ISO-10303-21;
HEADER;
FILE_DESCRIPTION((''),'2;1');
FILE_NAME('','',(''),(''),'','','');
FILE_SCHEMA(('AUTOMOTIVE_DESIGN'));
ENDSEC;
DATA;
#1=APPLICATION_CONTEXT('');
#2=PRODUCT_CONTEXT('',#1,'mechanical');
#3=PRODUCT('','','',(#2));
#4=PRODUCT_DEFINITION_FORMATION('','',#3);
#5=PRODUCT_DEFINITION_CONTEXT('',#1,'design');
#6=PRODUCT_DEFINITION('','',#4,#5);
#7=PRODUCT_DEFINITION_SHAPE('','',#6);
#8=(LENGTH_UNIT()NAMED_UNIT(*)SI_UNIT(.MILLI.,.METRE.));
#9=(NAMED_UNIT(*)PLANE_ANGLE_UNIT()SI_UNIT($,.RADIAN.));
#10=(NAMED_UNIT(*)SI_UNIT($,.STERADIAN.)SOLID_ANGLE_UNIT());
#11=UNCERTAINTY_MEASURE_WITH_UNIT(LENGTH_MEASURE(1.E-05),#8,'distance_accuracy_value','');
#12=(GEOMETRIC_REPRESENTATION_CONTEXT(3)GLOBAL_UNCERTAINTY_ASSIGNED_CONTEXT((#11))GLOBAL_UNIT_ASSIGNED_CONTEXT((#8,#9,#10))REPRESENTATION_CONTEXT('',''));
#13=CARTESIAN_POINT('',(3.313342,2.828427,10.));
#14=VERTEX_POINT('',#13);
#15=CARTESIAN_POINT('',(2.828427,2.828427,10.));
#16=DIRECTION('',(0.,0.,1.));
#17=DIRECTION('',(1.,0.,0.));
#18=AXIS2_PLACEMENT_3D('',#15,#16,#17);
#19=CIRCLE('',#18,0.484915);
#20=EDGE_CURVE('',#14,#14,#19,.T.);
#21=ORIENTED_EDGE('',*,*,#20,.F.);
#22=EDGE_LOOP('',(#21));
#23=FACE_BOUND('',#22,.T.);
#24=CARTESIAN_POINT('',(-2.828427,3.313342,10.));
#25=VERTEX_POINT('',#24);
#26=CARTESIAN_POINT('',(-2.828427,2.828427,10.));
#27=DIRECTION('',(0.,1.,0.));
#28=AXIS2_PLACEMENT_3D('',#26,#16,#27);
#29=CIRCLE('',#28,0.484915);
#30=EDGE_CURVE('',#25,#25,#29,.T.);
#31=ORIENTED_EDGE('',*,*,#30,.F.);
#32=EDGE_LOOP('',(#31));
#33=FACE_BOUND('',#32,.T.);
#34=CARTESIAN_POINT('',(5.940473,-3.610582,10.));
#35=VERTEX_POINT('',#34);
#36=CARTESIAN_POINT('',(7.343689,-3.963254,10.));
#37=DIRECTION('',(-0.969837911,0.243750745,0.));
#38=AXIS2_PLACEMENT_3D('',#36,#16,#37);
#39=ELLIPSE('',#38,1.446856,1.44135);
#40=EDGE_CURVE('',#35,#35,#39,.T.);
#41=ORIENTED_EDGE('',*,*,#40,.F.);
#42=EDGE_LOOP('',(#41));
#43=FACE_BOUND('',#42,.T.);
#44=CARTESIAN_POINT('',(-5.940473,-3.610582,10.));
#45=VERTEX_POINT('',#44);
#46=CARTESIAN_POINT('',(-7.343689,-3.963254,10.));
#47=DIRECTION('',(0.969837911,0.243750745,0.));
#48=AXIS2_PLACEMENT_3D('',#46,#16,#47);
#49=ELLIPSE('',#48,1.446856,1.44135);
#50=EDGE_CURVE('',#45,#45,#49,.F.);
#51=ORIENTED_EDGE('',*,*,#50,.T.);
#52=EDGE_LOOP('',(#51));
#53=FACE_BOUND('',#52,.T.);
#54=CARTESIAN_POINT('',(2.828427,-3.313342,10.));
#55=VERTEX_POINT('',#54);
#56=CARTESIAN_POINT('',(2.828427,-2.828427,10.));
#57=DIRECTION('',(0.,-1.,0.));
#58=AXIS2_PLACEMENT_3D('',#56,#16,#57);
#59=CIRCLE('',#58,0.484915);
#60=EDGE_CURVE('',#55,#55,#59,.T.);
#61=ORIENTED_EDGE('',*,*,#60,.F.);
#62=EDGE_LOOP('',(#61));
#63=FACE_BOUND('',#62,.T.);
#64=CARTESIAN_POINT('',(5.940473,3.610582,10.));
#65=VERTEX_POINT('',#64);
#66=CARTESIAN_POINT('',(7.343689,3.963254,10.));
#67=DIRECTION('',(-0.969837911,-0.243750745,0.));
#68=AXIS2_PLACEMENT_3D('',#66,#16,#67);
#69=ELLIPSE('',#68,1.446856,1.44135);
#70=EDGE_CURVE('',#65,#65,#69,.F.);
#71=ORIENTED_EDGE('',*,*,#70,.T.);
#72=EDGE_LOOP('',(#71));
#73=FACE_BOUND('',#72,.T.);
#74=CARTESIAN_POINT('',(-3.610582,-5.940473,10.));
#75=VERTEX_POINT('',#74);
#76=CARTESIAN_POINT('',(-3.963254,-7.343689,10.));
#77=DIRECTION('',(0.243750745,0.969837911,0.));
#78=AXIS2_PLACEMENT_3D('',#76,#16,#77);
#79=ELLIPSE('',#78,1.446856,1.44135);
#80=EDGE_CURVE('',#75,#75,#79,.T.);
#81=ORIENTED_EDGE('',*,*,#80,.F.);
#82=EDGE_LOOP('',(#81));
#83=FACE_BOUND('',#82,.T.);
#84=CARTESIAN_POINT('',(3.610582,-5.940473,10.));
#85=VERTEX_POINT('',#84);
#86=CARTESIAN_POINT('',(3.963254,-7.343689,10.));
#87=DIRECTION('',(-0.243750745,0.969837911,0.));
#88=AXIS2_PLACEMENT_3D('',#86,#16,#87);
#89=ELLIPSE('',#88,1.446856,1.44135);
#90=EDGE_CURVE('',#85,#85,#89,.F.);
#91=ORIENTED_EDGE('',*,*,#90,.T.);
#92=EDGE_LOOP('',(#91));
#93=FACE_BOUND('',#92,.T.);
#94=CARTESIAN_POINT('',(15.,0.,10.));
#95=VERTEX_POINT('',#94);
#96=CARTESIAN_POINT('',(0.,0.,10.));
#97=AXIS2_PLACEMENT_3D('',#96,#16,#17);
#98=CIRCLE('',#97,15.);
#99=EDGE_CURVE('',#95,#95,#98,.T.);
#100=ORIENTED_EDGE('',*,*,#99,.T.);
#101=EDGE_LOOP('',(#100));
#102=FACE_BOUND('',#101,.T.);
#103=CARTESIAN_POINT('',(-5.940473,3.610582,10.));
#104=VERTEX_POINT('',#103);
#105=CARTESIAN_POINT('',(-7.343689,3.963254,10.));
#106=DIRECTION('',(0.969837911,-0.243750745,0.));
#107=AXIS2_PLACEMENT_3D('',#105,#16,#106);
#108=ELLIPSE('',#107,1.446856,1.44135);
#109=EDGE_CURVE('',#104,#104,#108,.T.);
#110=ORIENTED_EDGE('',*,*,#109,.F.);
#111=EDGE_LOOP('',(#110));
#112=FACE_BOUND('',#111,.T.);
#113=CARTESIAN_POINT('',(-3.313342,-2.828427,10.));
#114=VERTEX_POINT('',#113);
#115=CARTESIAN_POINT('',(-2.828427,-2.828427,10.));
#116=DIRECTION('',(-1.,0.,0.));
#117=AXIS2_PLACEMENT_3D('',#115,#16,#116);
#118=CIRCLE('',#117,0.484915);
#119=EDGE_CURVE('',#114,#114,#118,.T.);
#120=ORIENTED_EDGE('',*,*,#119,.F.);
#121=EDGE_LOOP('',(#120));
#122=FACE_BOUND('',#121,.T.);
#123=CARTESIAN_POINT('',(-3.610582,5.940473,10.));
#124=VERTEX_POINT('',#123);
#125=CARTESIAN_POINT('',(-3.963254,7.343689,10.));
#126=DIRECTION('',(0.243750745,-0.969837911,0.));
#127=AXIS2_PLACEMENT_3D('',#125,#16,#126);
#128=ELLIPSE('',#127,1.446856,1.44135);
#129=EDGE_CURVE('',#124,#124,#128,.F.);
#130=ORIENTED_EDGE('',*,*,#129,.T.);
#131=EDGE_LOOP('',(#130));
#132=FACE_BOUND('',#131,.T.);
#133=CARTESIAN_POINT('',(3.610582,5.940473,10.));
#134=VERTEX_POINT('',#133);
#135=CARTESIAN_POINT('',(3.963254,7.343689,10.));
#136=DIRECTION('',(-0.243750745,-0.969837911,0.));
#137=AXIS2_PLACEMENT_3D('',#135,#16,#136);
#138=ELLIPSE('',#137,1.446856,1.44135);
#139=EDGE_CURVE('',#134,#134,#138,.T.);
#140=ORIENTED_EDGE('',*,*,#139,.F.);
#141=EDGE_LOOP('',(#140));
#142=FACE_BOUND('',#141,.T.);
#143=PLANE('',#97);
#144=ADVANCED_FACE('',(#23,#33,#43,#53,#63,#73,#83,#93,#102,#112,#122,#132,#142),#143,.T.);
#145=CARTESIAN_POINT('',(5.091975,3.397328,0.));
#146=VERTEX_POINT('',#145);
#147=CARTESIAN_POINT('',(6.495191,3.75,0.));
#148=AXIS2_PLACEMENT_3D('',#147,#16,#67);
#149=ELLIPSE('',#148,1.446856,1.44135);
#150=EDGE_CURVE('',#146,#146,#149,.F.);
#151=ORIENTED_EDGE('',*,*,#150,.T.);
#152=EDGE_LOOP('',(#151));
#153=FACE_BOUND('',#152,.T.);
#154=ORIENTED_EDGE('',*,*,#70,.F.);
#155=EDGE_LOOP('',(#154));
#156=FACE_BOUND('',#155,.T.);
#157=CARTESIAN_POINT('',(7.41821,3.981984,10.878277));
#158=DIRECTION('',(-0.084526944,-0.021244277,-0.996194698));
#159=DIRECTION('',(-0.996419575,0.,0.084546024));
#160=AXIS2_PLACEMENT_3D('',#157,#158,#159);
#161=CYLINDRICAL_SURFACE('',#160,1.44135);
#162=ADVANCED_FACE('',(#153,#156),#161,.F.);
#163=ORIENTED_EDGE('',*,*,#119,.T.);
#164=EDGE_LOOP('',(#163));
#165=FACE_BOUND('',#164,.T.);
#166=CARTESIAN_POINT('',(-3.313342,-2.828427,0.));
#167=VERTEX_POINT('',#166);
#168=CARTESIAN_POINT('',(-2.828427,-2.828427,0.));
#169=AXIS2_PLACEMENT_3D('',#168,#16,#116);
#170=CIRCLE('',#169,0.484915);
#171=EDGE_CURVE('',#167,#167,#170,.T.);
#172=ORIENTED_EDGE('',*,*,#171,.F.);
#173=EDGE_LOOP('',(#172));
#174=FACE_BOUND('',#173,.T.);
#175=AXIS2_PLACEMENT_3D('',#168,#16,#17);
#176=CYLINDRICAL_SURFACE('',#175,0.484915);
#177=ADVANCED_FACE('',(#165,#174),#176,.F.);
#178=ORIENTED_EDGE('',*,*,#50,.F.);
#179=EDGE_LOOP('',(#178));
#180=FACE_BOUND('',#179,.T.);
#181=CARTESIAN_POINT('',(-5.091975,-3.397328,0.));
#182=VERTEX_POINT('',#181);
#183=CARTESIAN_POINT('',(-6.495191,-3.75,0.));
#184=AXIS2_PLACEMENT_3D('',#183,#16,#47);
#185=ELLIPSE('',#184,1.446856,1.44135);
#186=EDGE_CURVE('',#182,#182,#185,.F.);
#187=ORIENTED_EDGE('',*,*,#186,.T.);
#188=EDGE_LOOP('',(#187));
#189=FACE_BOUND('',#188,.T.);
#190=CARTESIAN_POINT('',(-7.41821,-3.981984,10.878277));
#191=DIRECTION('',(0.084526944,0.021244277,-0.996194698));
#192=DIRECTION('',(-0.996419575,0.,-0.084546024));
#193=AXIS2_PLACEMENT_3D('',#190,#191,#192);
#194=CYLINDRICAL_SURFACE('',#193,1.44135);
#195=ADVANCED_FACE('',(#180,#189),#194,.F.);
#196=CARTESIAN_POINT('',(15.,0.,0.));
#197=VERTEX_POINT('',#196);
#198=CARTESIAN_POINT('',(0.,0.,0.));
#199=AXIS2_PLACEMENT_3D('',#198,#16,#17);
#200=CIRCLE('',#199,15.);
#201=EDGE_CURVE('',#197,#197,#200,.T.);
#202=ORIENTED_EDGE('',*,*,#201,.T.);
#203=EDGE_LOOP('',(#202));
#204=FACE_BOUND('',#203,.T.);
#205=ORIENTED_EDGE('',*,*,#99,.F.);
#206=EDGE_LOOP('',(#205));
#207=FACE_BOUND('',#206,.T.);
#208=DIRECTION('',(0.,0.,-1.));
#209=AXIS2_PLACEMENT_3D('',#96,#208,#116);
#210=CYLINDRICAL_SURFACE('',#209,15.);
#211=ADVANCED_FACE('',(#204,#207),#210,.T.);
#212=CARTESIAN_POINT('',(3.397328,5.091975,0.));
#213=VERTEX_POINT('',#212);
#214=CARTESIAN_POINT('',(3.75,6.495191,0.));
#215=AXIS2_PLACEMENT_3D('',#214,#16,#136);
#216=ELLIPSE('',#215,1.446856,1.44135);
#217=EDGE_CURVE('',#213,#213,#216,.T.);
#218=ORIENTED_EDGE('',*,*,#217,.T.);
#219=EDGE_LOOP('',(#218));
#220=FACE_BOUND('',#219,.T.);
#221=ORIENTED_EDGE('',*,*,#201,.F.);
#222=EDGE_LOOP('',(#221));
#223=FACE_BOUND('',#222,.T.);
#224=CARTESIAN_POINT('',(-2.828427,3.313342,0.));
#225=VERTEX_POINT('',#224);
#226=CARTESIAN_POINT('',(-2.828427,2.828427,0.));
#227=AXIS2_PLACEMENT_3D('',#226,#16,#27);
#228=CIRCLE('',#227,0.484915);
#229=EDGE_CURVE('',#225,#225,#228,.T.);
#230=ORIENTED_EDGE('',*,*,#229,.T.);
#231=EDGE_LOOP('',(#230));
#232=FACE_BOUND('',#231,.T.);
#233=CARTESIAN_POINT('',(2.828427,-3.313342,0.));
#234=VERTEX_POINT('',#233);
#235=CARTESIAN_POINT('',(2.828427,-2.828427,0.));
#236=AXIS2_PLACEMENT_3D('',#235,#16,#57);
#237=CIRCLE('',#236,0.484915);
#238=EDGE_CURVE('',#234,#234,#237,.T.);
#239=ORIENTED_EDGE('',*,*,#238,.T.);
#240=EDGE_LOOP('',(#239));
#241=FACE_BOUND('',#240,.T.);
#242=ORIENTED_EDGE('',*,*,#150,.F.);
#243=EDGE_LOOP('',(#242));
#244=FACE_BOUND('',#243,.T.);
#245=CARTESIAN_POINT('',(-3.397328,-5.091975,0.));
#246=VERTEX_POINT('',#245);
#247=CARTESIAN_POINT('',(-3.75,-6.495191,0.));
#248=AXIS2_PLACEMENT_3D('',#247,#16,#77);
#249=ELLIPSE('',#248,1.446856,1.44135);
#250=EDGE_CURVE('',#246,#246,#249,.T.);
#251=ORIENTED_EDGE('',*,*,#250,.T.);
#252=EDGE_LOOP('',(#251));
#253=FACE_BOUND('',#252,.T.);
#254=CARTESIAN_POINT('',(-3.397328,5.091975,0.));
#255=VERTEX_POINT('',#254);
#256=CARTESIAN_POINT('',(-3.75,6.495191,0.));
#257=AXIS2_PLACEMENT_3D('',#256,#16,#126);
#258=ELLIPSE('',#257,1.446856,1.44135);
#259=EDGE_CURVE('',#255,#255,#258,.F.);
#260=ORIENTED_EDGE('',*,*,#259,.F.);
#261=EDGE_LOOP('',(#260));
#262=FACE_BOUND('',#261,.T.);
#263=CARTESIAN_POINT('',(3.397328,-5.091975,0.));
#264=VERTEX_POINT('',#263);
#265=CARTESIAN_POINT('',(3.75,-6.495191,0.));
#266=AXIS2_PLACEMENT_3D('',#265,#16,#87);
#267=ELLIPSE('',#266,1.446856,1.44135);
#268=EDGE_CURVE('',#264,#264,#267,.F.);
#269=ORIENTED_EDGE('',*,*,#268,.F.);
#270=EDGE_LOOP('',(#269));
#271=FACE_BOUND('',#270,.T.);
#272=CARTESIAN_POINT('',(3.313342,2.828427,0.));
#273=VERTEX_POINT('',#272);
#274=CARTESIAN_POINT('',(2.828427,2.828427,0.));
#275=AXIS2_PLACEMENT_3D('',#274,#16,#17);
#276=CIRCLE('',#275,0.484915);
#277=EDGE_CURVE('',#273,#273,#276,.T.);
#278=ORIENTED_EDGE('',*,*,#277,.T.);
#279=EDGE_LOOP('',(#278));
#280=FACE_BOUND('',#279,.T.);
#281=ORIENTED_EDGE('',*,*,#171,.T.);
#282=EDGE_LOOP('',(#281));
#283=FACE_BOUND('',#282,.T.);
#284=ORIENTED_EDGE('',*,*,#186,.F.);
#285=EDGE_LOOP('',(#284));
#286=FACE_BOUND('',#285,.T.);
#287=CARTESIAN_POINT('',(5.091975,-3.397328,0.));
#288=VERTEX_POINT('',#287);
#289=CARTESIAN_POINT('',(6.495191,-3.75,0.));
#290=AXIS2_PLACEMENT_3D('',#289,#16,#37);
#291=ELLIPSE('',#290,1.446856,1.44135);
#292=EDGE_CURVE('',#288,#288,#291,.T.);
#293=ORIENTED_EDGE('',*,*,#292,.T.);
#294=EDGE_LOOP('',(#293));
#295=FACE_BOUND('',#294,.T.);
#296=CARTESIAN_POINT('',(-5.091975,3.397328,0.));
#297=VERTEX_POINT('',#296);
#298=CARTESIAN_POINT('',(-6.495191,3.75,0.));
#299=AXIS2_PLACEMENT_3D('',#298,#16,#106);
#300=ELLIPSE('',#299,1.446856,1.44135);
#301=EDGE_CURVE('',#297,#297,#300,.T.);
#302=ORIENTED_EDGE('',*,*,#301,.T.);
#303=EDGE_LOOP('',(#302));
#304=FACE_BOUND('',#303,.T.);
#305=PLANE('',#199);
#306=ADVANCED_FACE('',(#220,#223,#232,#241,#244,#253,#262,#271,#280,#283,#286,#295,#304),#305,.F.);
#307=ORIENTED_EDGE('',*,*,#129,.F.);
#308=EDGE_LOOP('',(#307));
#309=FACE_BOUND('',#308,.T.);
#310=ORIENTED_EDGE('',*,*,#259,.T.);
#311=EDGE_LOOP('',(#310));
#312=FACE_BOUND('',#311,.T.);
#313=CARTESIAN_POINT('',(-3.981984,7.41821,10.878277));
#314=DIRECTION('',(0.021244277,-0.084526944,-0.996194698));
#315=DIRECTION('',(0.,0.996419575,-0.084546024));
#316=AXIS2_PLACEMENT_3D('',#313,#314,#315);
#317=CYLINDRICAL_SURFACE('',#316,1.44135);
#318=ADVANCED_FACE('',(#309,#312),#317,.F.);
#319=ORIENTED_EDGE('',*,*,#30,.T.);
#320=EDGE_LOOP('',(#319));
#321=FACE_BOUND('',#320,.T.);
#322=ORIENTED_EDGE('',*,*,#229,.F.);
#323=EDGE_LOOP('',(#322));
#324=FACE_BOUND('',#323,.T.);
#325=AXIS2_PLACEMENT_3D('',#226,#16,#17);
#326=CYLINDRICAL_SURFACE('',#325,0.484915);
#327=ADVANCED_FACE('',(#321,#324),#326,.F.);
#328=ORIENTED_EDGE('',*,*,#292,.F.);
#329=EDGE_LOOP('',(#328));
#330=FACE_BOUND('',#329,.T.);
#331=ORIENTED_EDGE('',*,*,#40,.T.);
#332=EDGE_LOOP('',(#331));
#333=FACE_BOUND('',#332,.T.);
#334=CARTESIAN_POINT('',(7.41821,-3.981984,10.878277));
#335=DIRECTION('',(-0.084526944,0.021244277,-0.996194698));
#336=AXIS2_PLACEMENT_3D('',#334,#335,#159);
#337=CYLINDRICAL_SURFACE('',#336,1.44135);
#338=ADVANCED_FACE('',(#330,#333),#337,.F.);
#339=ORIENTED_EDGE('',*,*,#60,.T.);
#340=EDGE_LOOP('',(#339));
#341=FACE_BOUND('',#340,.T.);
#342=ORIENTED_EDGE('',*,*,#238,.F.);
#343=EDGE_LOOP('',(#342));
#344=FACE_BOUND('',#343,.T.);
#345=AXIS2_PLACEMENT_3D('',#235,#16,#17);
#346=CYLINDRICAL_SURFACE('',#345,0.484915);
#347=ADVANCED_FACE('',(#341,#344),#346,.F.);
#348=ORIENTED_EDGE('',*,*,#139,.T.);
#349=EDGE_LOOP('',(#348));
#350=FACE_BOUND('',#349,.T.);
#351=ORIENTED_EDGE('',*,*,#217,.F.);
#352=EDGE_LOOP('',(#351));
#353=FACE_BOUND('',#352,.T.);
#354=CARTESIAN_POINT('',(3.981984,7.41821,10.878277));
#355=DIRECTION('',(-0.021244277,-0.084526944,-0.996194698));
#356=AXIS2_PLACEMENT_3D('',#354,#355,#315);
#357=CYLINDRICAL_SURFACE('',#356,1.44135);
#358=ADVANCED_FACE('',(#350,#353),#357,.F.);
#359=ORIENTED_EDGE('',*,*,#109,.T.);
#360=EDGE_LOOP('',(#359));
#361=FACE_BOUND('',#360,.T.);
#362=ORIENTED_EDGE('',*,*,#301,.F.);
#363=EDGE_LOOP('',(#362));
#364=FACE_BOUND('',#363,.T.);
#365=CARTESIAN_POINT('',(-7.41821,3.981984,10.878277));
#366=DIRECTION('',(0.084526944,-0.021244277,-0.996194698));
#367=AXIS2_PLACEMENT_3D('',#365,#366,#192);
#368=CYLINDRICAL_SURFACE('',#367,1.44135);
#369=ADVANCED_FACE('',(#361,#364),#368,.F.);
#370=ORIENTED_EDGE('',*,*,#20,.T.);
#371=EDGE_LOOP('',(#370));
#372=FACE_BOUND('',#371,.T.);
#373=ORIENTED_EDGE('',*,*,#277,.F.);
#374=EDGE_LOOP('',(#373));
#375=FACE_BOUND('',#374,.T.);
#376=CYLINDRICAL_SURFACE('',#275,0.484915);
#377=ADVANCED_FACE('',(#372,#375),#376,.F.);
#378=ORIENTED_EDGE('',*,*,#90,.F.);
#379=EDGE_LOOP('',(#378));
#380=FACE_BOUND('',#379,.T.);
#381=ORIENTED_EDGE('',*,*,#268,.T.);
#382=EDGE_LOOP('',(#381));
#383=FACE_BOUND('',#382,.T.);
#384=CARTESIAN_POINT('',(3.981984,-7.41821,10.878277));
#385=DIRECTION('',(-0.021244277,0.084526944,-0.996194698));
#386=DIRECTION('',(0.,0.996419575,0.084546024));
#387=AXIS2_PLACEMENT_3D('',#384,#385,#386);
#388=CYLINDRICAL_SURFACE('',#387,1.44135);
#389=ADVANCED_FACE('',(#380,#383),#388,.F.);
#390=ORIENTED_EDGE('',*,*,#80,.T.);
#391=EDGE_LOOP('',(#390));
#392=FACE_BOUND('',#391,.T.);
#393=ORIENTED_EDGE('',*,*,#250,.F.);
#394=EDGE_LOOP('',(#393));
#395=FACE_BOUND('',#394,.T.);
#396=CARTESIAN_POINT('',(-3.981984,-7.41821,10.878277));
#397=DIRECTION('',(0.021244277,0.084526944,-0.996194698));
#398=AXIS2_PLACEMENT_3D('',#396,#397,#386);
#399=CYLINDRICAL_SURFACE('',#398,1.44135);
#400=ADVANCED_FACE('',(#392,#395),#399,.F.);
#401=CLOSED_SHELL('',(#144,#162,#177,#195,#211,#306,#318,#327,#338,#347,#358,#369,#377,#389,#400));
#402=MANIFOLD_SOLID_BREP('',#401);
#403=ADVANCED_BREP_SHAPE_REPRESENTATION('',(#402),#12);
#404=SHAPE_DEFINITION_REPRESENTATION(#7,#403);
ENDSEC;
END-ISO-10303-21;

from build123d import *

# Parameters (mm, degrees)
SKETCH1_R                   = 15
BOSS_EXTRUDE1_DEPTH         = 10
SKETCH2_R                   = 0.484915
CUT_EXTRUDE1_DEPTH          = 10
CIRPATTERN1_COUNT           = 4
SKETCH7_R                   = 1.44135
CUT_EXTRUDE2_DEPTH          = 24.34691072
CIRPATTERN2_COUNT           = 4
CIRPATTERN2_COPY_1_SKETCH_R = 1.44135
CIRPATTERN2_COPY_1_DEPTH    = 24.34691072
CIRPATTERN2_COPY_2_SKETCH_R = 1.44135
CIRPATTERN2_COPY_2_DEPTH    = 24.34691072
CIRPATTERN2_COPY_3_SKETCH_R = 1.44135
CIRPATTERN2_COPY_3_DEPTH    = 24.34691072


with BuildPart() as part:
    # Sketch1 → Boss-Extrude1 (new body)
    with BuildSketch(Plane.XY):
        Circle(SKETCH1_R)
    extrude(amount=BOSS_EXTRUDE1_DEPTH)

    # Sketch2 → Cut-Extrude1 (cut)
    with BuildSketch(Plane.XY.offset(10)):
        with Locations((2.828427125, 2.828427125)):
            Circle(SKETCH2_R)
    cut_extrude1 = extrude(amount=-CUT_EXTRUDE1_DEPTH, mode=Mode.SUBTRACT)

    # CirPattern1: Cut-Extrude1 ×4 about axis
    cirpattern1_axis = Axis((0, 0, 10), (0, 0, -1))
    for i in range(1, CIRPATTERN1_COUNT):
        add(cut_extrude1.rotate(cirpattern1_axis, i * 360 / CIRPATTERN1_COUNT), mode=Mode.SUBTRACT)

    # Sketch7 → Cut-Extrude2 (cut, symmetric)
    with BuildSketch(Plane(origin=(-0.025287604, 0.006355569, 0.298027772), x_dir=(0.2437507452891652, 0.9698379112877453, 0), z_dir=(0.08452694350312104, -0.02124427725097248, -0.9961946980917455))):
        with Locations((2.053684635, -7.185898346)):
            Circle(SKETCH7_R)
    cut_extrude2 = extrude(amount=CUT_EXTRUDE2_DEPTH, both=True, mode=Mode.SUBTRACT)

    # Mirror1: Cut-Extrude2 across plane
    add(cut_extrude2.mirror(Plane(origin=(0, 0, 0), x_dir=(0, 0, 1), z_dir=(-0.7071067811865512, -0.7071067811865438, 0))), mode=Mode.SUBTRACT)

    # CirPattern2: Cut-Extrude2 ×4 about axis
    cirpattern2_axis = Axis((0, 0, 10), (0, 0, -1))
    for i in range(1, CIRPATTERN2_COUNT):
        add(cut_extrude2.rotate(cirpattern2_axis, i * 360 / CIRPATTERN2_COUNT), mode=Mode.SUBTRACT)

    # CirPattern2 copy 1 sketch → CirPattern2 copy 1 (cut, symmetric)
    with BuildSketch(Plane(origin=(0.025287604, 0.006355569, 0.298027772), x_dir=(-0.24375074528915505, 0.9698379112877479, 0), z_dir=(-0.08452694350312126, -0.021244277250971604, -0.9961946980917455))):
        with Locations((2.053684635, 7.185898346)):
            Circle(CIRPATTERN2_COPY_1_SKETCH_R)
    extrude(amount=CIRPATTERN2_COPY_1_DEPTH, both=True, mode=Mode.SUBTRACT)

    # CirPattern2 copy 2 sketch → CirPattern2 copy 2 (cut, symmetric)
    with BuildSketch(Plane(origin=(0.006355569, -0.025287604, 0.298027772), x_dir=(0.9698379112877479, 0.2437507452891551, 0), z_dir=(-0.02124427725097161, 0.08452694350312126, -0.9961946980917455))):
        with Locations((2.053684635, 7.185898346)):
            Circle(CIRPATTERN2_COPY_2_SKETCH_R)
    extrude(amount=CIRPATTERN2_COPY_2_DEPTH, both=True, mode=Mode.SUBTRACT)

    # CirPattern2 copy 3 sketch → CirPattern2 copy 3 (cut, symmetric)
    with BuildSketch(Plane(origin=(-0.025287604, -0.006355569, 0.298027772), x_dir=(0.24375074528915516, -0.9698379112877479, 0), z_dir=(0.08452694350312126, 0.021244277250971614, -0.9961946980917455))):
        with Locations((2.053684635, 7.185898346)):
            Circle(CIRPATTERN2_COPY_3_SKETCH_R)
    extrude(amount=CIRPATTERN2_COPY_3_DEPTH, both=True, mode=Mode.SUBTRACT)


solid = part.part
